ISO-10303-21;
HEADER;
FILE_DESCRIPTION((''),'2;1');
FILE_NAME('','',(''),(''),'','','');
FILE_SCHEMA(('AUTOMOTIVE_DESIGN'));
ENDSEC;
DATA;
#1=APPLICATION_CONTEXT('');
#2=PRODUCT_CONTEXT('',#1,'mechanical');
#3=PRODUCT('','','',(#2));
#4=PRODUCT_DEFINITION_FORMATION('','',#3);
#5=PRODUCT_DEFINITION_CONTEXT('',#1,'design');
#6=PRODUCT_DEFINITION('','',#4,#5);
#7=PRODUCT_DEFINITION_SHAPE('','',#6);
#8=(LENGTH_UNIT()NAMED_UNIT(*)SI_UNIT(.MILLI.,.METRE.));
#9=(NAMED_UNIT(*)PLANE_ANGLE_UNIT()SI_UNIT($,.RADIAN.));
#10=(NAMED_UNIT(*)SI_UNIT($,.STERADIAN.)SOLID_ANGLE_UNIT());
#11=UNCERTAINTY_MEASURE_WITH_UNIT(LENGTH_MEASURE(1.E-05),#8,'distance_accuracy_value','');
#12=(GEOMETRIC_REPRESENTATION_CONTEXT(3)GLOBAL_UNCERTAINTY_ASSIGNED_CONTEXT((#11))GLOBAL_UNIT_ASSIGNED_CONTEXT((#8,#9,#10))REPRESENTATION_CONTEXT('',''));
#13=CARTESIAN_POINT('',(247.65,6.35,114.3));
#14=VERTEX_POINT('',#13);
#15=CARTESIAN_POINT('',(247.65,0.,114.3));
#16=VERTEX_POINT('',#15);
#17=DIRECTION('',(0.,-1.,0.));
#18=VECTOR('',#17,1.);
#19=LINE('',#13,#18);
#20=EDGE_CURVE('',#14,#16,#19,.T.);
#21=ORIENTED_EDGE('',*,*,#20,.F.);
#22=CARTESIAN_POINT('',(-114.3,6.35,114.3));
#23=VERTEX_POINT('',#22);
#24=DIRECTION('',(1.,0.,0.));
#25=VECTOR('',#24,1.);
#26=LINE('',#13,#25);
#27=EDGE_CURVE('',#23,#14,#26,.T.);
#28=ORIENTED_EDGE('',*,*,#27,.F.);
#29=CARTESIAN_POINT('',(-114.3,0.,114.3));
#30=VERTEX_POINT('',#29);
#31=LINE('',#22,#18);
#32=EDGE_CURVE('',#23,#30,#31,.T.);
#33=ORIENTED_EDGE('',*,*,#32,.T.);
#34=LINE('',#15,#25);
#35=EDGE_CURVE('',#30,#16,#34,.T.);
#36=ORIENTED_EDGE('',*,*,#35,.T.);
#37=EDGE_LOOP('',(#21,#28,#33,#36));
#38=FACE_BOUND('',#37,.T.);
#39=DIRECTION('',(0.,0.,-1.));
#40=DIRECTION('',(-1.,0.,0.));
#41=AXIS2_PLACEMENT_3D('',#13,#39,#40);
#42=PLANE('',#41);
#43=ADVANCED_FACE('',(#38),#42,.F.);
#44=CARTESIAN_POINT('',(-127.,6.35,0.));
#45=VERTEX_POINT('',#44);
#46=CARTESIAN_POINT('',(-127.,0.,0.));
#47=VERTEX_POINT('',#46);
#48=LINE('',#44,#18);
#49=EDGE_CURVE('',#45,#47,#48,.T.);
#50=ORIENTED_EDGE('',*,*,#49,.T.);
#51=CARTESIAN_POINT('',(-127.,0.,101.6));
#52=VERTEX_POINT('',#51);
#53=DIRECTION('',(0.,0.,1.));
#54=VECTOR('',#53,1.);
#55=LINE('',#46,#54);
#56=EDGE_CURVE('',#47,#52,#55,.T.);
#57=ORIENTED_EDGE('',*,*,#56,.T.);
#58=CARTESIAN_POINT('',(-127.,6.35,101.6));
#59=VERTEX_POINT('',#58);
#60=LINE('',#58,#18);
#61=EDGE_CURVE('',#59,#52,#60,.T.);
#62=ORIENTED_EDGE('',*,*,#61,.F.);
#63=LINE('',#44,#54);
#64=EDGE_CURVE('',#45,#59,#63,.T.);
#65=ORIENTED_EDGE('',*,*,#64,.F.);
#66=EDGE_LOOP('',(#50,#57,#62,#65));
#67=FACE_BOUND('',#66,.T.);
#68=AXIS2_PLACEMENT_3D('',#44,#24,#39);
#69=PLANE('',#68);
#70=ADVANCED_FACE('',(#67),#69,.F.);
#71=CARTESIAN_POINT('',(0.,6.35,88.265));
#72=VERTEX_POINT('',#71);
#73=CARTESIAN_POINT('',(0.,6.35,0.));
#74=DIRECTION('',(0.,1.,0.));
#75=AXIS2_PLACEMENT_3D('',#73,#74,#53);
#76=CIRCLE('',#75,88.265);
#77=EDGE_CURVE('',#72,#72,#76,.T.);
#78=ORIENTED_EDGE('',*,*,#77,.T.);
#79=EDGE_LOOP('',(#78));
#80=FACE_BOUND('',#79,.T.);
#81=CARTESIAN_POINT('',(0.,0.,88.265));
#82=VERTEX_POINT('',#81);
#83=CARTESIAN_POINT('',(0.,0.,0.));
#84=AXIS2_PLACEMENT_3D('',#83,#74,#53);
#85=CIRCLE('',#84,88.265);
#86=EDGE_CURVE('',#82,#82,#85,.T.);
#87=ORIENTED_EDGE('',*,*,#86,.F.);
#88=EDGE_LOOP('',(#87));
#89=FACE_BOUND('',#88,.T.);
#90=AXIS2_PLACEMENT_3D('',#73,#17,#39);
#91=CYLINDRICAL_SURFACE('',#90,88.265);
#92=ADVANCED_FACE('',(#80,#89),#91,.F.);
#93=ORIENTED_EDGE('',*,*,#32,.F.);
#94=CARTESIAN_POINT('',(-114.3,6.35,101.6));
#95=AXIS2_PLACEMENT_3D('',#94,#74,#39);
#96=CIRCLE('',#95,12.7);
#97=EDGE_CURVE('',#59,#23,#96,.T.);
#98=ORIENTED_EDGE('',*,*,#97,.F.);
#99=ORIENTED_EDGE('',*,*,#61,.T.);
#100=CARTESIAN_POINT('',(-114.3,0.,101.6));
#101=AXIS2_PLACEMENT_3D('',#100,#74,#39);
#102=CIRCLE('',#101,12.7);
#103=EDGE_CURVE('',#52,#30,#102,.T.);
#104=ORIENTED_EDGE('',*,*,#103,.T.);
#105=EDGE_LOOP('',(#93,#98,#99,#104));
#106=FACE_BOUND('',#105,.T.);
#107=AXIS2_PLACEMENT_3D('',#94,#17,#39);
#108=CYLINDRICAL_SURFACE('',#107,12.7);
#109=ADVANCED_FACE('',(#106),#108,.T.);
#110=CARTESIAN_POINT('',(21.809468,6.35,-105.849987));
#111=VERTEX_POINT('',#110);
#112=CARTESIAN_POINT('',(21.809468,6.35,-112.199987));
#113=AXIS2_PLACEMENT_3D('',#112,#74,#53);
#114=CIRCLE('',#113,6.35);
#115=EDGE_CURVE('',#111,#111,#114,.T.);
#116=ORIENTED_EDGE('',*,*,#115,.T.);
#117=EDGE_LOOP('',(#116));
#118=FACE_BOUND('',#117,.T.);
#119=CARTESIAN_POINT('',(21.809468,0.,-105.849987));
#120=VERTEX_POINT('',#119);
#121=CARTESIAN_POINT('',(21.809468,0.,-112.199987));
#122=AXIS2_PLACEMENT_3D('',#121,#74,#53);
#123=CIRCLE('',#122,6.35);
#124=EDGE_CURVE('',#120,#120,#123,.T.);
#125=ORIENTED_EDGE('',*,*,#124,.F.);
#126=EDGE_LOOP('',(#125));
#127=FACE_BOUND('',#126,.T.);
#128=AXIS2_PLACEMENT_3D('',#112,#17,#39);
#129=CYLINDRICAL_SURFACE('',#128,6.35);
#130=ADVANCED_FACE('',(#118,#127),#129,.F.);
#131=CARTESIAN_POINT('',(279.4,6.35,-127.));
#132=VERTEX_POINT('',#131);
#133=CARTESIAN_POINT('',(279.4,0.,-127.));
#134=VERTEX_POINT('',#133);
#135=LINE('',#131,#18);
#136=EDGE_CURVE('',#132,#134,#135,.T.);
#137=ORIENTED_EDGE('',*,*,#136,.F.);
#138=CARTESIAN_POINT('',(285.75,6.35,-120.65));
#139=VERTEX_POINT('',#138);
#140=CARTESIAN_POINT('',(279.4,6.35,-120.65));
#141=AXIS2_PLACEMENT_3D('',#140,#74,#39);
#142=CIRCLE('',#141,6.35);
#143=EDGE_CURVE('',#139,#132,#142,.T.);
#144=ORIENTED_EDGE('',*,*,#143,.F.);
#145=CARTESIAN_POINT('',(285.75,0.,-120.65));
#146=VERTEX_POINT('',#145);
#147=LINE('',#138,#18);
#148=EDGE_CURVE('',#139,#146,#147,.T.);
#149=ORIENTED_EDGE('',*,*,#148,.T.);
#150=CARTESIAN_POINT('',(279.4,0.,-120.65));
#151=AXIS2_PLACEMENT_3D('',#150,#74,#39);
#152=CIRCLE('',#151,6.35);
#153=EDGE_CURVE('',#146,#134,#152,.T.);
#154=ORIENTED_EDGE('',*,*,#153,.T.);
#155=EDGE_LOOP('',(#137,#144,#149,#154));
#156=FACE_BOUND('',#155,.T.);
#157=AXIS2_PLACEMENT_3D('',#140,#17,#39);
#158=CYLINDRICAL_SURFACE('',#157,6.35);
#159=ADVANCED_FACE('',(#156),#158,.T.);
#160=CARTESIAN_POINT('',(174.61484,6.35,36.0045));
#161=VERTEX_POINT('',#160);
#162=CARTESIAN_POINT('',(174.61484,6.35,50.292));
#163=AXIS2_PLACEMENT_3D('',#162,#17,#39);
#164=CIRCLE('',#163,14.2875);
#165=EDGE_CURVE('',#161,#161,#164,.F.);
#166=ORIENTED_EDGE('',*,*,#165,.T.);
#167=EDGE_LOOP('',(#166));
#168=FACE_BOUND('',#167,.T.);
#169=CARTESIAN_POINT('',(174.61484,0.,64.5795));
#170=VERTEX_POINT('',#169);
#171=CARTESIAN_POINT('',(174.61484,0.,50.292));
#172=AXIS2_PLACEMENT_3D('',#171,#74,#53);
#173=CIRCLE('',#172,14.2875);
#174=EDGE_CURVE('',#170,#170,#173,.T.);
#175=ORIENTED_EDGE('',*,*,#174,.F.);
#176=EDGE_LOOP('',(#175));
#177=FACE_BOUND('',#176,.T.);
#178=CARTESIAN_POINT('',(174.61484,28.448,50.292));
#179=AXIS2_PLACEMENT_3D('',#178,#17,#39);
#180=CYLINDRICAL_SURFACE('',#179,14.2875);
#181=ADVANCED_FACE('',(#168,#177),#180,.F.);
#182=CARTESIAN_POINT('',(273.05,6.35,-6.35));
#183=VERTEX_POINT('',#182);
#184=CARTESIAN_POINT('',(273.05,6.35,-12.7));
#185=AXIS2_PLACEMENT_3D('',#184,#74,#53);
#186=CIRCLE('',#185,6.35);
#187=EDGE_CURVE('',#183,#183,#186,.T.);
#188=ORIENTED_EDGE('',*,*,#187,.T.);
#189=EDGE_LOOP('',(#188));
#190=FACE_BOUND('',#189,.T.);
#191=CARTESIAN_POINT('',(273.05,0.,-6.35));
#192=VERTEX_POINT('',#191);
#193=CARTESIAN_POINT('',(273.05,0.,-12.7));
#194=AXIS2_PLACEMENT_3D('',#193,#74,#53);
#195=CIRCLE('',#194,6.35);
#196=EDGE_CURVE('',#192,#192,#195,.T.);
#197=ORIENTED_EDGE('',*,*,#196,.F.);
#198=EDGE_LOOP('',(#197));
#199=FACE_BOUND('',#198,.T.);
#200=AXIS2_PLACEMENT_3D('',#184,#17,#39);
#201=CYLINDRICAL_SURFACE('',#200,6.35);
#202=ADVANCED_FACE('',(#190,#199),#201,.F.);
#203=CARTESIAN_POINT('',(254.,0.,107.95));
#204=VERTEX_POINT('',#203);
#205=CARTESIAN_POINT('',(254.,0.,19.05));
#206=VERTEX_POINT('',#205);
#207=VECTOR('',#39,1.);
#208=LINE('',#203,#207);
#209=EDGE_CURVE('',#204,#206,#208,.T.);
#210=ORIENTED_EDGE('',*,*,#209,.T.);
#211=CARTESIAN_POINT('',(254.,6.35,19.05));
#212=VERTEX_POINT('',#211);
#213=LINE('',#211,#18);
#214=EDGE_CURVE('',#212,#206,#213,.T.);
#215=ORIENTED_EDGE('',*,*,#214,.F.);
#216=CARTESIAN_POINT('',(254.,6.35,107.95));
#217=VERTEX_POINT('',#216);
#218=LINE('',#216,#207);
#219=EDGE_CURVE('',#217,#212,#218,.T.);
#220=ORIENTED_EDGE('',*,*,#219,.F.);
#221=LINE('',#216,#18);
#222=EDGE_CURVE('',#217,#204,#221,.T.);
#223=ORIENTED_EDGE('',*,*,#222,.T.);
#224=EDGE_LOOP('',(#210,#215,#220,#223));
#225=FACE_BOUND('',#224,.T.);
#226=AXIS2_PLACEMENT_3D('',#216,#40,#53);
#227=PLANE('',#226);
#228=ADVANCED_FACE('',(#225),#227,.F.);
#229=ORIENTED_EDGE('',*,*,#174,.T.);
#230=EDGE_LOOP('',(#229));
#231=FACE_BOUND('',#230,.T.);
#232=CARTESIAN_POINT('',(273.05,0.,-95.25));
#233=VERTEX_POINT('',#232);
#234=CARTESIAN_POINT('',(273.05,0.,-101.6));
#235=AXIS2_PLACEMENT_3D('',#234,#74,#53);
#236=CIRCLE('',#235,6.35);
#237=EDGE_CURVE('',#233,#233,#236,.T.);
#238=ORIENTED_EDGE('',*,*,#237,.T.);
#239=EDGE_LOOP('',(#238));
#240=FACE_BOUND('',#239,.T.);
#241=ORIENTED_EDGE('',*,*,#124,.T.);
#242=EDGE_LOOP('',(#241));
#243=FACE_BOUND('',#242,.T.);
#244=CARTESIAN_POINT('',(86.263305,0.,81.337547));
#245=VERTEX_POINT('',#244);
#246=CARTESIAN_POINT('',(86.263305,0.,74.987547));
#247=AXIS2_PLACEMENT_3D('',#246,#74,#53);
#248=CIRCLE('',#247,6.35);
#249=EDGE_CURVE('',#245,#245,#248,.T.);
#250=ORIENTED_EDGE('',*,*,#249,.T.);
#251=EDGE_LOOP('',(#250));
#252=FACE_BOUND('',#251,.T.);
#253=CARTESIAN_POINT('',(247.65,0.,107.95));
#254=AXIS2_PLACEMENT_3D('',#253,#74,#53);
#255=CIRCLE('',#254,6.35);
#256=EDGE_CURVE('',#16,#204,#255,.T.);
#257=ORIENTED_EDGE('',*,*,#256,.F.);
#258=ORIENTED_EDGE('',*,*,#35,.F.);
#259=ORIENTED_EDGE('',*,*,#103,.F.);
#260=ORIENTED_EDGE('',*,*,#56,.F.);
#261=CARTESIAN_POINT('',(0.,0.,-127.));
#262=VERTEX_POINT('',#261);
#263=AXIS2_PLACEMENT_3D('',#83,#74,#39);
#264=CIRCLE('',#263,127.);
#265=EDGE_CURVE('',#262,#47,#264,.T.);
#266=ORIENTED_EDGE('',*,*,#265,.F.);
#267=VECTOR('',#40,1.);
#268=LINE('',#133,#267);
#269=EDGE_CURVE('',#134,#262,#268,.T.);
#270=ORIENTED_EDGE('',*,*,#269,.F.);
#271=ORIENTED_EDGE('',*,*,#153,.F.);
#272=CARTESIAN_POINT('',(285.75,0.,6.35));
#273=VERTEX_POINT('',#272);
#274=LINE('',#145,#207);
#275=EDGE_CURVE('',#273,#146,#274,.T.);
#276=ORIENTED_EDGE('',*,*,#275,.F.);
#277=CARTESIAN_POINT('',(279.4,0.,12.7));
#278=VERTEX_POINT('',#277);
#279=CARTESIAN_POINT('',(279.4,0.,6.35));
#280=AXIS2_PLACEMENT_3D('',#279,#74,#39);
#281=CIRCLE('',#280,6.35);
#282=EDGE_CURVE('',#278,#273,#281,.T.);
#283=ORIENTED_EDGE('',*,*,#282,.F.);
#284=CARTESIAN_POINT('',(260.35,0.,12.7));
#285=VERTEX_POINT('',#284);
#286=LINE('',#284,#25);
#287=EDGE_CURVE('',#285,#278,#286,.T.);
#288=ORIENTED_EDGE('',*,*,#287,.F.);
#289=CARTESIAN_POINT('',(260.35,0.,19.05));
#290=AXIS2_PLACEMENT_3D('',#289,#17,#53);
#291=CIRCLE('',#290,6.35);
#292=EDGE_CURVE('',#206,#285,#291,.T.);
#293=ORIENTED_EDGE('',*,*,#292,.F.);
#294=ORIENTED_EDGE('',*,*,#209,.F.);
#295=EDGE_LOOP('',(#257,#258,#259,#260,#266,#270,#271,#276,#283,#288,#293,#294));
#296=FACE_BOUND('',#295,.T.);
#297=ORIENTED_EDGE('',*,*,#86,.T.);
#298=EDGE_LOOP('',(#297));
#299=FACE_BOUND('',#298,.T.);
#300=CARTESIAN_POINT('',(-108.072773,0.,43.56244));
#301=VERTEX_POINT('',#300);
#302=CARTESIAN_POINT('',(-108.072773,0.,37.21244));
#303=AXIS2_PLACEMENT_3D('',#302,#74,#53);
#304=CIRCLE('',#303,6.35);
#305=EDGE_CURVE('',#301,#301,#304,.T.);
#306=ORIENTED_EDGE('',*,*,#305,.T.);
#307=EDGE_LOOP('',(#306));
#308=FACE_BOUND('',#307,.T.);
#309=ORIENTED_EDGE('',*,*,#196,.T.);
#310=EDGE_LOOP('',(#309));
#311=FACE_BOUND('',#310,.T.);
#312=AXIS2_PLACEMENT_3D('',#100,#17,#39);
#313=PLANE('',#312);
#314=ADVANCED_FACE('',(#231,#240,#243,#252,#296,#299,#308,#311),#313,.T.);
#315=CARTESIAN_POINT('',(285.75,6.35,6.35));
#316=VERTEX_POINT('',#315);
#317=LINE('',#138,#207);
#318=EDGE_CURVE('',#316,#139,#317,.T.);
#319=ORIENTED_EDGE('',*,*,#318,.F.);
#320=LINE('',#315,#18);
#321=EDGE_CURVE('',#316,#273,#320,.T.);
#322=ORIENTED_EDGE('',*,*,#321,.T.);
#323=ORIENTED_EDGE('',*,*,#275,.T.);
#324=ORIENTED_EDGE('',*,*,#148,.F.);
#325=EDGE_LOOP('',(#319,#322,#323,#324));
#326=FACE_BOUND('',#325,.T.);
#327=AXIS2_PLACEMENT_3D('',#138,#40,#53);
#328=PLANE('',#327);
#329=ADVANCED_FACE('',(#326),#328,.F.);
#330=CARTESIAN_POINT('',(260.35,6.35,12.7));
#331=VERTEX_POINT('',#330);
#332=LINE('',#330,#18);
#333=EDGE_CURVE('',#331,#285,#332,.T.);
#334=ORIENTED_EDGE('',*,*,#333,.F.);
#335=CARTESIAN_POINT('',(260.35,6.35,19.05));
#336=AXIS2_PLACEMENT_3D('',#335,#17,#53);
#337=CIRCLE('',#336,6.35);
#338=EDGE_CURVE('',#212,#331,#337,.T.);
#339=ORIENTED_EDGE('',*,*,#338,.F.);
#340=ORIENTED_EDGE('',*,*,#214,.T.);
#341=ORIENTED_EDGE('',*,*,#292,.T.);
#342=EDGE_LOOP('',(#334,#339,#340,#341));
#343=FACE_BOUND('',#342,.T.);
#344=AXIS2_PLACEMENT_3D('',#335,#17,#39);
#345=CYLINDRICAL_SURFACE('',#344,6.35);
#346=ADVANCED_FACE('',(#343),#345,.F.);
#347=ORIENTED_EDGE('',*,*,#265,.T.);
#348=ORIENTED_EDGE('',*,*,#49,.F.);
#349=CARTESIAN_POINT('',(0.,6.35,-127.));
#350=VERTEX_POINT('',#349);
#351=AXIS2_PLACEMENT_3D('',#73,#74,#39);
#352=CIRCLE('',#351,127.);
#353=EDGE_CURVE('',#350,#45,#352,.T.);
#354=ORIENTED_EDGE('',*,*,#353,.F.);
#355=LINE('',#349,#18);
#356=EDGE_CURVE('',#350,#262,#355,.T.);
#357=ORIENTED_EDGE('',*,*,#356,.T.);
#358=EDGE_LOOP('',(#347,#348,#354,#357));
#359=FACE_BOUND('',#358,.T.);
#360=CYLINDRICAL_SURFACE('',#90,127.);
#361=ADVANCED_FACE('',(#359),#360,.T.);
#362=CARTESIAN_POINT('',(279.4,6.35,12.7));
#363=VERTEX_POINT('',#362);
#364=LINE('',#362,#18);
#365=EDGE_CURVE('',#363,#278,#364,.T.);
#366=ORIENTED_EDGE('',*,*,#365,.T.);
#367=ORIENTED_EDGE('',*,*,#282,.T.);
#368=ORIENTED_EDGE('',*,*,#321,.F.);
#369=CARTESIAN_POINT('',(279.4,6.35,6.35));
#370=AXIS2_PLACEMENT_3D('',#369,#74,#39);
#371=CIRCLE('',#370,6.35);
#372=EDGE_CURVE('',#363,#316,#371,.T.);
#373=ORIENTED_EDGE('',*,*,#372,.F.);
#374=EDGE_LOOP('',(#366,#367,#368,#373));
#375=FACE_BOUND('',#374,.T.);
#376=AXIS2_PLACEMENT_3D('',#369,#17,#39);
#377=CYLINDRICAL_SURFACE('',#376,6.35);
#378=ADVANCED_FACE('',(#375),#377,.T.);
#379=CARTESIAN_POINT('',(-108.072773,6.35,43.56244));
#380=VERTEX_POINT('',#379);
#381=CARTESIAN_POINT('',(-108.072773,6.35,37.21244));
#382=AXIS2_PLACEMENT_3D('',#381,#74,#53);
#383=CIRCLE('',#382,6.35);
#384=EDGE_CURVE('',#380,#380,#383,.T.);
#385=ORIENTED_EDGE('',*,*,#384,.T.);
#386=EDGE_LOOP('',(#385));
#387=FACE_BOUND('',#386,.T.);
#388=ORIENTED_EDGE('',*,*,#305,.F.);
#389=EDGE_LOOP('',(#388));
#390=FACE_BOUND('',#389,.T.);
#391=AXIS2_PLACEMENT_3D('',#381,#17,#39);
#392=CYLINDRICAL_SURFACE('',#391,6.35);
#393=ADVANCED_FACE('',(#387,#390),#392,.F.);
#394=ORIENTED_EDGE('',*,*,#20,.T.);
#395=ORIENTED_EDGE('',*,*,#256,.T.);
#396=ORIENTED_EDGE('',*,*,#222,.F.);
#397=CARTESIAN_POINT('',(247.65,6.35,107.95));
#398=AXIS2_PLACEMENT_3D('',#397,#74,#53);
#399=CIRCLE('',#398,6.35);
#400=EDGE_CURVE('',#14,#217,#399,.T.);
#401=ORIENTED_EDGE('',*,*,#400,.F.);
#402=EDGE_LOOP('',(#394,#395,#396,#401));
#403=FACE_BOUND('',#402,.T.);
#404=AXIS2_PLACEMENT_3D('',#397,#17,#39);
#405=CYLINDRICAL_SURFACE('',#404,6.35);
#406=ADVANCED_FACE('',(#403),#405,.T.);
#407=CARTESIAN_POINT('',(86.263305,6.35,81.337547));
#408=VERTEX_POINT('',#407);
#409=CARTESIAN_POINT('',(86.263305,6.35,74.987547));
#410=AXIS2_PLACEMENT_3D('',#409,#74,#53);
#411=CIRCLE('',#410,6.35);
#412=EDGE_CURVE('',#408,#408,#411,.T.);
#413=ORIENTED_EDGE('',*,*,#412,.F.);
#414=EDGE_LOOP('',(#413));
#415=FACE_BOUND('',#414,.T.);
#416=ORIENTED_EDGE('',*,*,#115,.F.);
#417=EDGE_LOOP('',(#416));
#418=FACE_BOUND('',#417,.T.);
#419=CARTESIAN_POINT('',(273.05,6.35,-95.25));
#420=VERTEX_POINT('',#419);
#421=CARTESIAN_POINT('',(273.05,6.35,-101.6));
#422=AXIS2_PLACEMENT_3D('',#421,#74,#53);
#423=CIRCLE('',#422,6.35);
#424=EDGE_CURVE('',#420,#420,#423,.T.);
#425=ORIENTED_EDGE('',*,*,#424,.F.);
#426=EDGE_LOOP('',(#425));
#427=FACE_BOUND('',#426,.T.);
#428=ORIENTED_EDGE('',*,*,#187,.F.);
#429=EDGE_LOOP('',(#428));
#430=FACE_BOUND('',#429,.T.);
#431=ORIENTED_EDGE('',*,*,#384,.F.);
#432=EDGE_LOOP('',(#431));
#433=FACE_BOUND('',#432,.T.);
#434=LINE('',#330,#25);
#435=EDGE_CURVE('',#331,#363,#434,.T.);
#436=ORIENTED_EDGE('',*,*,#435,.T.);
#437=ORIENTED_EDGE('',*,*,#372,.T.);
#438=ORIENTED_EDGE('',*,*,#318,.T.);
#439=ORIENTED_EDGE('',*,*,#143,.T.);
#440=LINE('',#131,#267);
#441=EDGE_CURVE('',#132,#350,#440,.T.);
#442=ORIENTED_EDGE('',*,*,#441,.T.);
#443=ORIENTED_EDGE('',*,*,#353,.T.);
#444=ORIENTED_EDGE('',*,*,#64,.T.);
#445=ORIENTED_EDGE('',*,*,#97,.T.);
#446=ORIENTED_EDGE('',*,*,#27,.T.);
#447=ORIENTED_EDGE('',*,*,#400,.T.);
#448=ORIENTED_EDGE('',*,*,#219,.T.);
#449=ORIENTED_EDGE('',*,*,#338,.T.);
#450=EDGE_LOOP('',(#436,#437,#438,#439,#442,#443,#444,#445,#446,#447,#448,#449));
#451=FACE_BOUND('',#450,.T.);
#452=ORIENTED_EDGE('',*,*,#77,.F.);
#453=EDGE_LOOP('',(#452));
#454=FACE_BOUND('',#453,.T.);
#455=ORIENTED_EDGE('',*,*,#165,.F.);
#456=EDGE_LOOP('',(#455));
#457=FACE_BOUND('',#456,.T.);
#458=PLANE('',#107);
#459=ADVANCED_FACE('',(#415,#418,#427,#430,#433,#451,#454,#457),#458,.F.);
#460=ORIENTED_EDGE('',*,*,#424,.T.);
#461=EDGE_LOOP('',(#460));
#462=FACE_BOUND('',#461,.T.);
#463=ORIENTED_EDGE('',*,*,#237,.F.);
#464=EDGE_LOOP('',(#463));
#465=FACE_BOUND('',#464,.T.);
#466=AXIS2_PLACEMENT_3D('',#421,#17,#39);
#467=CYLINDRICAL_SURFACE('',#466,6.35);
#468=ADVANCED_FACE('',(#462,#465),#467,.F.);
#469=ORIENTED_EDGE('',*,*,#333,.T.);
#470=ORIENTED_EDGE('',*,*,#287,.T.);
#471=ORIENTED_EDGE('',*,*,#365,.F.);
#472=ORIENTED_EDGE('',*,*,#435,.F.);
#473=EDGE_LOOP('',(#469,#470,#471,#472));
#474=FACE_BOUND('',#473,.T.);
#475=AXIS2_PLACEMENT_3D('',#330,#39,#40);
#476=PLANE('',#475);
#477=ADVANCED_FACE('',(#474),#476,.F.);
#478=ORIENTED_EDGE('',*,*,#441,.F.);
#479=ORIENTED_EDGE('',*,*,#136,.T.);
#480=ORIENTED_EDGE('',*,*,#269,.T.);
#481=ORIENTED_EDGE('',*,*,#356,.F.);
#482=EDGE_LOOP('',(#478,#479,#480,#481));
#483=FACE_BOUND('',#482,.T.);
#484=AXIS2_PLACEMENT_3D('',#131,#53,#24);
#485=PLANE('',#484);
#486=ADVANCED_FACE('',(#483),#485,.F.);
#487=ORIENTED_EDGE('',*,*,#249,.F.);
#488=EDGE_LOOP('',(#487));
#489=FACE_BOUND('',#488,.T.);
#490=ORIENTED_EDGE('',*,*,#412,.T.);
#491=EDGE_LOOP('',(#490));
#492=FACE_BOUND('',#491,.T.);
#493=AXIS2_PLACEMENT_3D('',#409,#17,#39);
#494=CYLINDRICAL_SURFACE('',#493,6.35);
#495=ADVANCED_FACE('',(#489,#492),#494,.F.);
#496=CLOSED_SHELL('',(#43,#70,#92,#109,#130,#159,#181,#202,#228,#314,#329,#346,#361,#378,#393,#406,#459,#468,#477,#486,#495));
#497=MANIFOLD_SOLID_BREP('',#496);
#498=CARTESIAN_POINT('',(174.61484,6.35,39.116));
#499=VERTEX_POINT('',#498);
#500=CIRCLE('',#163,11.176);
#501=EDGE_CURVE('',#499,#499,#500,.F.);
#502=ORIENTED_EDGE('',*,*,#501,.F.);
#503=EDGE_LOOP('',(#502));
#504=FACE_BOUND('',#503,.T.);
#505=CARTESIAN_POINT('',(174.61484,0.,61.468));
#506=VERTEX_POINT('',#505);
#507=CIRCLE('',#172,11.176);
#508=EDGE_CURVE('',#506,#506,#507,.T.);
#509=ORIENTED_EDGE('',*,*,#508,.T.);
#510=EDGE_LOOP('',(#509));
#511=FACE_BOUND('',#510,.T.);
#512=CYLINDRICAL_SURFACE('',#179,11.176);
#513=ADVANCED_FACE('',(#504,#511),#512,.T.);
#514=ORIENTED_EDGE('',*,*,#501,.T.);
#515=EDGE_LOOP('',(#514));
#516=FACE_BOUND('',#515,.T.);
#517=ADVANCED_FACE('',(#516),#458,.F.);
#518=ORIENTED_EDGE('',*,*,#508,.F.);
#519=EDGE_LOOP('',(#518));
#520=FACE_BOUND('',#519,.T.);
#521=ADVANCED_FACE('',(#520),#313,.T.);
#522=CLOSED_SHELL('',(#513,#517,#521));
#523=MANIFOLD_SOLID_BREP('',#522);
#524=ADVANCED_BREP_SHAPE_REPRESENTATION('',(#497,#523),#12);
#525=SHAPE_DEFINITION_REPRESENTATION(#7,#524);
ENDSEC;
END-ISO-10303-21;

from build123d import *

# Parameters (mm, degrees)
SKETCH1_R           = 88.265
SKETCH1_R_2         = 6.35
BOSS_EXTRUDE1_DEPTH = 6.35
SKETCH6_R           = 14.2875
SKETCH6_R_2         = 11.176
CUT_EXTRUDE1_DEPTH  = 28.448


with BuildPart() as part:
    # Sketch1 → Boss-Extrude1 (new body)
    with BuildSketch(Plane(origin=(0, 0, 0), x_dir=(1, 0, 0), z_dir=(0, 1, 0))):
        with BuildLine():
            Line((279.4, 127), (0, 127))
            ThreePointArc((0, 127), (-89.802561211, 89.802561211), (-127, 0))
            Line((-127, 0), (-127, -101.6))
            ThreePointArc((-127, -101.6), (-123.280256121, -110.580256121), (-114.3, -114.3))
            Line((-114.3, -114.3), (247.65, -114.3))
            ThreePointArc((247.65, -114.3), (252.140128061, -112.440128061), (254, -107.95))
            Line((254, -107.95), (254, -19.05))
            ThreePointArc((254, -19.05), (255.859871939, -14.559871939), (260.35, -12.7))
            Line((260.35, -12.7), (279.4, -12.7))
            ThreePointArc((279.4, -12.7), (283.890128061, -10.840128061), (285.75, -6.35))
            Line((285.75, -6.35), (285.75, 120.65))
            ThreePointArc((285.75, 120.65), (283.890128061, 125.140128061), (279.4, 127))
        make_face()
        with Locations(Location((0, 0, 0), (0, 0, 270))):
            Circle(SKETCH1_R, mode=Mode.SUBTRACT)
        with Locations(Location((-108.072773191, -37.212440054, 0), (0, 0, 270))):
            Circle(SKETCH1_R_2, mode=Mode.SUBTRACT)
        with Locations(Location((21.809468172, 112.199987068, 0), (0, 0, 270))):
            Circle(SKETCH1_R_2, mode=Mode.SUBTRACT)
        with Locations(Location((86.263305019, -74.987547014, 0), (0, 0, 270))):
            Circle(SKETCH1_R_2, mode=Mode.SUBTRACT)
        with Locations(Location((273.05, 101.6, 0), (0, 0, 270))):
            Circle(SKETCH1_R_2, mode=Mode.SUBTRACT)
        with Locations(Location((273.05, 12.7, 0), (0, 0, 270))):
            Circle(SKETCH1_R_2, mode=Mode.SUBTRACT)
    extrude(amount=BOSS_EXTRUDE1_DEPTH)

    # Sketch6 → Cut-Extrude1 (cut)
    with BuildSketch(Plane(origin=(0, 0, 0), x_dir=(1, 0, 0), z_dir=(0, 1, 0))):
        with Locations(Location((174.61484, -50.292, 0), (0, 0, 90))):
            Circle(SKETCH6_R)
        with Locations(Location((174.61484, -50.292, 0), (0, 0, 90))):
            Circle(SKETCH6_R_2, mode=Mode.SUBTRACT)
    extrude(amount=CUT_EXTRUDE1_DEPTH, mode=Mode.SUBTRACT)


with BuildPart() as cut_extrude1_piece_1:
    # of the separate pieces the step leaves, piece 1, a body of its own (cut_extrude1_pieces)
    add(part.part.solids().sort_by_distance((279.4, 0, -127))[0])


with BuildPart() as cut_extrude1_piece_2:
    # of the separate pieces the step leaves, piece 2, a body of its own (cut_extrude1_pieces)
    add(part.part.solids().sort_by_distance((174.61484, 0, 39.116))[0])


solid = Compound([cut_extrude1_piece_1.part, cut_extrude1_piece_2.part])
